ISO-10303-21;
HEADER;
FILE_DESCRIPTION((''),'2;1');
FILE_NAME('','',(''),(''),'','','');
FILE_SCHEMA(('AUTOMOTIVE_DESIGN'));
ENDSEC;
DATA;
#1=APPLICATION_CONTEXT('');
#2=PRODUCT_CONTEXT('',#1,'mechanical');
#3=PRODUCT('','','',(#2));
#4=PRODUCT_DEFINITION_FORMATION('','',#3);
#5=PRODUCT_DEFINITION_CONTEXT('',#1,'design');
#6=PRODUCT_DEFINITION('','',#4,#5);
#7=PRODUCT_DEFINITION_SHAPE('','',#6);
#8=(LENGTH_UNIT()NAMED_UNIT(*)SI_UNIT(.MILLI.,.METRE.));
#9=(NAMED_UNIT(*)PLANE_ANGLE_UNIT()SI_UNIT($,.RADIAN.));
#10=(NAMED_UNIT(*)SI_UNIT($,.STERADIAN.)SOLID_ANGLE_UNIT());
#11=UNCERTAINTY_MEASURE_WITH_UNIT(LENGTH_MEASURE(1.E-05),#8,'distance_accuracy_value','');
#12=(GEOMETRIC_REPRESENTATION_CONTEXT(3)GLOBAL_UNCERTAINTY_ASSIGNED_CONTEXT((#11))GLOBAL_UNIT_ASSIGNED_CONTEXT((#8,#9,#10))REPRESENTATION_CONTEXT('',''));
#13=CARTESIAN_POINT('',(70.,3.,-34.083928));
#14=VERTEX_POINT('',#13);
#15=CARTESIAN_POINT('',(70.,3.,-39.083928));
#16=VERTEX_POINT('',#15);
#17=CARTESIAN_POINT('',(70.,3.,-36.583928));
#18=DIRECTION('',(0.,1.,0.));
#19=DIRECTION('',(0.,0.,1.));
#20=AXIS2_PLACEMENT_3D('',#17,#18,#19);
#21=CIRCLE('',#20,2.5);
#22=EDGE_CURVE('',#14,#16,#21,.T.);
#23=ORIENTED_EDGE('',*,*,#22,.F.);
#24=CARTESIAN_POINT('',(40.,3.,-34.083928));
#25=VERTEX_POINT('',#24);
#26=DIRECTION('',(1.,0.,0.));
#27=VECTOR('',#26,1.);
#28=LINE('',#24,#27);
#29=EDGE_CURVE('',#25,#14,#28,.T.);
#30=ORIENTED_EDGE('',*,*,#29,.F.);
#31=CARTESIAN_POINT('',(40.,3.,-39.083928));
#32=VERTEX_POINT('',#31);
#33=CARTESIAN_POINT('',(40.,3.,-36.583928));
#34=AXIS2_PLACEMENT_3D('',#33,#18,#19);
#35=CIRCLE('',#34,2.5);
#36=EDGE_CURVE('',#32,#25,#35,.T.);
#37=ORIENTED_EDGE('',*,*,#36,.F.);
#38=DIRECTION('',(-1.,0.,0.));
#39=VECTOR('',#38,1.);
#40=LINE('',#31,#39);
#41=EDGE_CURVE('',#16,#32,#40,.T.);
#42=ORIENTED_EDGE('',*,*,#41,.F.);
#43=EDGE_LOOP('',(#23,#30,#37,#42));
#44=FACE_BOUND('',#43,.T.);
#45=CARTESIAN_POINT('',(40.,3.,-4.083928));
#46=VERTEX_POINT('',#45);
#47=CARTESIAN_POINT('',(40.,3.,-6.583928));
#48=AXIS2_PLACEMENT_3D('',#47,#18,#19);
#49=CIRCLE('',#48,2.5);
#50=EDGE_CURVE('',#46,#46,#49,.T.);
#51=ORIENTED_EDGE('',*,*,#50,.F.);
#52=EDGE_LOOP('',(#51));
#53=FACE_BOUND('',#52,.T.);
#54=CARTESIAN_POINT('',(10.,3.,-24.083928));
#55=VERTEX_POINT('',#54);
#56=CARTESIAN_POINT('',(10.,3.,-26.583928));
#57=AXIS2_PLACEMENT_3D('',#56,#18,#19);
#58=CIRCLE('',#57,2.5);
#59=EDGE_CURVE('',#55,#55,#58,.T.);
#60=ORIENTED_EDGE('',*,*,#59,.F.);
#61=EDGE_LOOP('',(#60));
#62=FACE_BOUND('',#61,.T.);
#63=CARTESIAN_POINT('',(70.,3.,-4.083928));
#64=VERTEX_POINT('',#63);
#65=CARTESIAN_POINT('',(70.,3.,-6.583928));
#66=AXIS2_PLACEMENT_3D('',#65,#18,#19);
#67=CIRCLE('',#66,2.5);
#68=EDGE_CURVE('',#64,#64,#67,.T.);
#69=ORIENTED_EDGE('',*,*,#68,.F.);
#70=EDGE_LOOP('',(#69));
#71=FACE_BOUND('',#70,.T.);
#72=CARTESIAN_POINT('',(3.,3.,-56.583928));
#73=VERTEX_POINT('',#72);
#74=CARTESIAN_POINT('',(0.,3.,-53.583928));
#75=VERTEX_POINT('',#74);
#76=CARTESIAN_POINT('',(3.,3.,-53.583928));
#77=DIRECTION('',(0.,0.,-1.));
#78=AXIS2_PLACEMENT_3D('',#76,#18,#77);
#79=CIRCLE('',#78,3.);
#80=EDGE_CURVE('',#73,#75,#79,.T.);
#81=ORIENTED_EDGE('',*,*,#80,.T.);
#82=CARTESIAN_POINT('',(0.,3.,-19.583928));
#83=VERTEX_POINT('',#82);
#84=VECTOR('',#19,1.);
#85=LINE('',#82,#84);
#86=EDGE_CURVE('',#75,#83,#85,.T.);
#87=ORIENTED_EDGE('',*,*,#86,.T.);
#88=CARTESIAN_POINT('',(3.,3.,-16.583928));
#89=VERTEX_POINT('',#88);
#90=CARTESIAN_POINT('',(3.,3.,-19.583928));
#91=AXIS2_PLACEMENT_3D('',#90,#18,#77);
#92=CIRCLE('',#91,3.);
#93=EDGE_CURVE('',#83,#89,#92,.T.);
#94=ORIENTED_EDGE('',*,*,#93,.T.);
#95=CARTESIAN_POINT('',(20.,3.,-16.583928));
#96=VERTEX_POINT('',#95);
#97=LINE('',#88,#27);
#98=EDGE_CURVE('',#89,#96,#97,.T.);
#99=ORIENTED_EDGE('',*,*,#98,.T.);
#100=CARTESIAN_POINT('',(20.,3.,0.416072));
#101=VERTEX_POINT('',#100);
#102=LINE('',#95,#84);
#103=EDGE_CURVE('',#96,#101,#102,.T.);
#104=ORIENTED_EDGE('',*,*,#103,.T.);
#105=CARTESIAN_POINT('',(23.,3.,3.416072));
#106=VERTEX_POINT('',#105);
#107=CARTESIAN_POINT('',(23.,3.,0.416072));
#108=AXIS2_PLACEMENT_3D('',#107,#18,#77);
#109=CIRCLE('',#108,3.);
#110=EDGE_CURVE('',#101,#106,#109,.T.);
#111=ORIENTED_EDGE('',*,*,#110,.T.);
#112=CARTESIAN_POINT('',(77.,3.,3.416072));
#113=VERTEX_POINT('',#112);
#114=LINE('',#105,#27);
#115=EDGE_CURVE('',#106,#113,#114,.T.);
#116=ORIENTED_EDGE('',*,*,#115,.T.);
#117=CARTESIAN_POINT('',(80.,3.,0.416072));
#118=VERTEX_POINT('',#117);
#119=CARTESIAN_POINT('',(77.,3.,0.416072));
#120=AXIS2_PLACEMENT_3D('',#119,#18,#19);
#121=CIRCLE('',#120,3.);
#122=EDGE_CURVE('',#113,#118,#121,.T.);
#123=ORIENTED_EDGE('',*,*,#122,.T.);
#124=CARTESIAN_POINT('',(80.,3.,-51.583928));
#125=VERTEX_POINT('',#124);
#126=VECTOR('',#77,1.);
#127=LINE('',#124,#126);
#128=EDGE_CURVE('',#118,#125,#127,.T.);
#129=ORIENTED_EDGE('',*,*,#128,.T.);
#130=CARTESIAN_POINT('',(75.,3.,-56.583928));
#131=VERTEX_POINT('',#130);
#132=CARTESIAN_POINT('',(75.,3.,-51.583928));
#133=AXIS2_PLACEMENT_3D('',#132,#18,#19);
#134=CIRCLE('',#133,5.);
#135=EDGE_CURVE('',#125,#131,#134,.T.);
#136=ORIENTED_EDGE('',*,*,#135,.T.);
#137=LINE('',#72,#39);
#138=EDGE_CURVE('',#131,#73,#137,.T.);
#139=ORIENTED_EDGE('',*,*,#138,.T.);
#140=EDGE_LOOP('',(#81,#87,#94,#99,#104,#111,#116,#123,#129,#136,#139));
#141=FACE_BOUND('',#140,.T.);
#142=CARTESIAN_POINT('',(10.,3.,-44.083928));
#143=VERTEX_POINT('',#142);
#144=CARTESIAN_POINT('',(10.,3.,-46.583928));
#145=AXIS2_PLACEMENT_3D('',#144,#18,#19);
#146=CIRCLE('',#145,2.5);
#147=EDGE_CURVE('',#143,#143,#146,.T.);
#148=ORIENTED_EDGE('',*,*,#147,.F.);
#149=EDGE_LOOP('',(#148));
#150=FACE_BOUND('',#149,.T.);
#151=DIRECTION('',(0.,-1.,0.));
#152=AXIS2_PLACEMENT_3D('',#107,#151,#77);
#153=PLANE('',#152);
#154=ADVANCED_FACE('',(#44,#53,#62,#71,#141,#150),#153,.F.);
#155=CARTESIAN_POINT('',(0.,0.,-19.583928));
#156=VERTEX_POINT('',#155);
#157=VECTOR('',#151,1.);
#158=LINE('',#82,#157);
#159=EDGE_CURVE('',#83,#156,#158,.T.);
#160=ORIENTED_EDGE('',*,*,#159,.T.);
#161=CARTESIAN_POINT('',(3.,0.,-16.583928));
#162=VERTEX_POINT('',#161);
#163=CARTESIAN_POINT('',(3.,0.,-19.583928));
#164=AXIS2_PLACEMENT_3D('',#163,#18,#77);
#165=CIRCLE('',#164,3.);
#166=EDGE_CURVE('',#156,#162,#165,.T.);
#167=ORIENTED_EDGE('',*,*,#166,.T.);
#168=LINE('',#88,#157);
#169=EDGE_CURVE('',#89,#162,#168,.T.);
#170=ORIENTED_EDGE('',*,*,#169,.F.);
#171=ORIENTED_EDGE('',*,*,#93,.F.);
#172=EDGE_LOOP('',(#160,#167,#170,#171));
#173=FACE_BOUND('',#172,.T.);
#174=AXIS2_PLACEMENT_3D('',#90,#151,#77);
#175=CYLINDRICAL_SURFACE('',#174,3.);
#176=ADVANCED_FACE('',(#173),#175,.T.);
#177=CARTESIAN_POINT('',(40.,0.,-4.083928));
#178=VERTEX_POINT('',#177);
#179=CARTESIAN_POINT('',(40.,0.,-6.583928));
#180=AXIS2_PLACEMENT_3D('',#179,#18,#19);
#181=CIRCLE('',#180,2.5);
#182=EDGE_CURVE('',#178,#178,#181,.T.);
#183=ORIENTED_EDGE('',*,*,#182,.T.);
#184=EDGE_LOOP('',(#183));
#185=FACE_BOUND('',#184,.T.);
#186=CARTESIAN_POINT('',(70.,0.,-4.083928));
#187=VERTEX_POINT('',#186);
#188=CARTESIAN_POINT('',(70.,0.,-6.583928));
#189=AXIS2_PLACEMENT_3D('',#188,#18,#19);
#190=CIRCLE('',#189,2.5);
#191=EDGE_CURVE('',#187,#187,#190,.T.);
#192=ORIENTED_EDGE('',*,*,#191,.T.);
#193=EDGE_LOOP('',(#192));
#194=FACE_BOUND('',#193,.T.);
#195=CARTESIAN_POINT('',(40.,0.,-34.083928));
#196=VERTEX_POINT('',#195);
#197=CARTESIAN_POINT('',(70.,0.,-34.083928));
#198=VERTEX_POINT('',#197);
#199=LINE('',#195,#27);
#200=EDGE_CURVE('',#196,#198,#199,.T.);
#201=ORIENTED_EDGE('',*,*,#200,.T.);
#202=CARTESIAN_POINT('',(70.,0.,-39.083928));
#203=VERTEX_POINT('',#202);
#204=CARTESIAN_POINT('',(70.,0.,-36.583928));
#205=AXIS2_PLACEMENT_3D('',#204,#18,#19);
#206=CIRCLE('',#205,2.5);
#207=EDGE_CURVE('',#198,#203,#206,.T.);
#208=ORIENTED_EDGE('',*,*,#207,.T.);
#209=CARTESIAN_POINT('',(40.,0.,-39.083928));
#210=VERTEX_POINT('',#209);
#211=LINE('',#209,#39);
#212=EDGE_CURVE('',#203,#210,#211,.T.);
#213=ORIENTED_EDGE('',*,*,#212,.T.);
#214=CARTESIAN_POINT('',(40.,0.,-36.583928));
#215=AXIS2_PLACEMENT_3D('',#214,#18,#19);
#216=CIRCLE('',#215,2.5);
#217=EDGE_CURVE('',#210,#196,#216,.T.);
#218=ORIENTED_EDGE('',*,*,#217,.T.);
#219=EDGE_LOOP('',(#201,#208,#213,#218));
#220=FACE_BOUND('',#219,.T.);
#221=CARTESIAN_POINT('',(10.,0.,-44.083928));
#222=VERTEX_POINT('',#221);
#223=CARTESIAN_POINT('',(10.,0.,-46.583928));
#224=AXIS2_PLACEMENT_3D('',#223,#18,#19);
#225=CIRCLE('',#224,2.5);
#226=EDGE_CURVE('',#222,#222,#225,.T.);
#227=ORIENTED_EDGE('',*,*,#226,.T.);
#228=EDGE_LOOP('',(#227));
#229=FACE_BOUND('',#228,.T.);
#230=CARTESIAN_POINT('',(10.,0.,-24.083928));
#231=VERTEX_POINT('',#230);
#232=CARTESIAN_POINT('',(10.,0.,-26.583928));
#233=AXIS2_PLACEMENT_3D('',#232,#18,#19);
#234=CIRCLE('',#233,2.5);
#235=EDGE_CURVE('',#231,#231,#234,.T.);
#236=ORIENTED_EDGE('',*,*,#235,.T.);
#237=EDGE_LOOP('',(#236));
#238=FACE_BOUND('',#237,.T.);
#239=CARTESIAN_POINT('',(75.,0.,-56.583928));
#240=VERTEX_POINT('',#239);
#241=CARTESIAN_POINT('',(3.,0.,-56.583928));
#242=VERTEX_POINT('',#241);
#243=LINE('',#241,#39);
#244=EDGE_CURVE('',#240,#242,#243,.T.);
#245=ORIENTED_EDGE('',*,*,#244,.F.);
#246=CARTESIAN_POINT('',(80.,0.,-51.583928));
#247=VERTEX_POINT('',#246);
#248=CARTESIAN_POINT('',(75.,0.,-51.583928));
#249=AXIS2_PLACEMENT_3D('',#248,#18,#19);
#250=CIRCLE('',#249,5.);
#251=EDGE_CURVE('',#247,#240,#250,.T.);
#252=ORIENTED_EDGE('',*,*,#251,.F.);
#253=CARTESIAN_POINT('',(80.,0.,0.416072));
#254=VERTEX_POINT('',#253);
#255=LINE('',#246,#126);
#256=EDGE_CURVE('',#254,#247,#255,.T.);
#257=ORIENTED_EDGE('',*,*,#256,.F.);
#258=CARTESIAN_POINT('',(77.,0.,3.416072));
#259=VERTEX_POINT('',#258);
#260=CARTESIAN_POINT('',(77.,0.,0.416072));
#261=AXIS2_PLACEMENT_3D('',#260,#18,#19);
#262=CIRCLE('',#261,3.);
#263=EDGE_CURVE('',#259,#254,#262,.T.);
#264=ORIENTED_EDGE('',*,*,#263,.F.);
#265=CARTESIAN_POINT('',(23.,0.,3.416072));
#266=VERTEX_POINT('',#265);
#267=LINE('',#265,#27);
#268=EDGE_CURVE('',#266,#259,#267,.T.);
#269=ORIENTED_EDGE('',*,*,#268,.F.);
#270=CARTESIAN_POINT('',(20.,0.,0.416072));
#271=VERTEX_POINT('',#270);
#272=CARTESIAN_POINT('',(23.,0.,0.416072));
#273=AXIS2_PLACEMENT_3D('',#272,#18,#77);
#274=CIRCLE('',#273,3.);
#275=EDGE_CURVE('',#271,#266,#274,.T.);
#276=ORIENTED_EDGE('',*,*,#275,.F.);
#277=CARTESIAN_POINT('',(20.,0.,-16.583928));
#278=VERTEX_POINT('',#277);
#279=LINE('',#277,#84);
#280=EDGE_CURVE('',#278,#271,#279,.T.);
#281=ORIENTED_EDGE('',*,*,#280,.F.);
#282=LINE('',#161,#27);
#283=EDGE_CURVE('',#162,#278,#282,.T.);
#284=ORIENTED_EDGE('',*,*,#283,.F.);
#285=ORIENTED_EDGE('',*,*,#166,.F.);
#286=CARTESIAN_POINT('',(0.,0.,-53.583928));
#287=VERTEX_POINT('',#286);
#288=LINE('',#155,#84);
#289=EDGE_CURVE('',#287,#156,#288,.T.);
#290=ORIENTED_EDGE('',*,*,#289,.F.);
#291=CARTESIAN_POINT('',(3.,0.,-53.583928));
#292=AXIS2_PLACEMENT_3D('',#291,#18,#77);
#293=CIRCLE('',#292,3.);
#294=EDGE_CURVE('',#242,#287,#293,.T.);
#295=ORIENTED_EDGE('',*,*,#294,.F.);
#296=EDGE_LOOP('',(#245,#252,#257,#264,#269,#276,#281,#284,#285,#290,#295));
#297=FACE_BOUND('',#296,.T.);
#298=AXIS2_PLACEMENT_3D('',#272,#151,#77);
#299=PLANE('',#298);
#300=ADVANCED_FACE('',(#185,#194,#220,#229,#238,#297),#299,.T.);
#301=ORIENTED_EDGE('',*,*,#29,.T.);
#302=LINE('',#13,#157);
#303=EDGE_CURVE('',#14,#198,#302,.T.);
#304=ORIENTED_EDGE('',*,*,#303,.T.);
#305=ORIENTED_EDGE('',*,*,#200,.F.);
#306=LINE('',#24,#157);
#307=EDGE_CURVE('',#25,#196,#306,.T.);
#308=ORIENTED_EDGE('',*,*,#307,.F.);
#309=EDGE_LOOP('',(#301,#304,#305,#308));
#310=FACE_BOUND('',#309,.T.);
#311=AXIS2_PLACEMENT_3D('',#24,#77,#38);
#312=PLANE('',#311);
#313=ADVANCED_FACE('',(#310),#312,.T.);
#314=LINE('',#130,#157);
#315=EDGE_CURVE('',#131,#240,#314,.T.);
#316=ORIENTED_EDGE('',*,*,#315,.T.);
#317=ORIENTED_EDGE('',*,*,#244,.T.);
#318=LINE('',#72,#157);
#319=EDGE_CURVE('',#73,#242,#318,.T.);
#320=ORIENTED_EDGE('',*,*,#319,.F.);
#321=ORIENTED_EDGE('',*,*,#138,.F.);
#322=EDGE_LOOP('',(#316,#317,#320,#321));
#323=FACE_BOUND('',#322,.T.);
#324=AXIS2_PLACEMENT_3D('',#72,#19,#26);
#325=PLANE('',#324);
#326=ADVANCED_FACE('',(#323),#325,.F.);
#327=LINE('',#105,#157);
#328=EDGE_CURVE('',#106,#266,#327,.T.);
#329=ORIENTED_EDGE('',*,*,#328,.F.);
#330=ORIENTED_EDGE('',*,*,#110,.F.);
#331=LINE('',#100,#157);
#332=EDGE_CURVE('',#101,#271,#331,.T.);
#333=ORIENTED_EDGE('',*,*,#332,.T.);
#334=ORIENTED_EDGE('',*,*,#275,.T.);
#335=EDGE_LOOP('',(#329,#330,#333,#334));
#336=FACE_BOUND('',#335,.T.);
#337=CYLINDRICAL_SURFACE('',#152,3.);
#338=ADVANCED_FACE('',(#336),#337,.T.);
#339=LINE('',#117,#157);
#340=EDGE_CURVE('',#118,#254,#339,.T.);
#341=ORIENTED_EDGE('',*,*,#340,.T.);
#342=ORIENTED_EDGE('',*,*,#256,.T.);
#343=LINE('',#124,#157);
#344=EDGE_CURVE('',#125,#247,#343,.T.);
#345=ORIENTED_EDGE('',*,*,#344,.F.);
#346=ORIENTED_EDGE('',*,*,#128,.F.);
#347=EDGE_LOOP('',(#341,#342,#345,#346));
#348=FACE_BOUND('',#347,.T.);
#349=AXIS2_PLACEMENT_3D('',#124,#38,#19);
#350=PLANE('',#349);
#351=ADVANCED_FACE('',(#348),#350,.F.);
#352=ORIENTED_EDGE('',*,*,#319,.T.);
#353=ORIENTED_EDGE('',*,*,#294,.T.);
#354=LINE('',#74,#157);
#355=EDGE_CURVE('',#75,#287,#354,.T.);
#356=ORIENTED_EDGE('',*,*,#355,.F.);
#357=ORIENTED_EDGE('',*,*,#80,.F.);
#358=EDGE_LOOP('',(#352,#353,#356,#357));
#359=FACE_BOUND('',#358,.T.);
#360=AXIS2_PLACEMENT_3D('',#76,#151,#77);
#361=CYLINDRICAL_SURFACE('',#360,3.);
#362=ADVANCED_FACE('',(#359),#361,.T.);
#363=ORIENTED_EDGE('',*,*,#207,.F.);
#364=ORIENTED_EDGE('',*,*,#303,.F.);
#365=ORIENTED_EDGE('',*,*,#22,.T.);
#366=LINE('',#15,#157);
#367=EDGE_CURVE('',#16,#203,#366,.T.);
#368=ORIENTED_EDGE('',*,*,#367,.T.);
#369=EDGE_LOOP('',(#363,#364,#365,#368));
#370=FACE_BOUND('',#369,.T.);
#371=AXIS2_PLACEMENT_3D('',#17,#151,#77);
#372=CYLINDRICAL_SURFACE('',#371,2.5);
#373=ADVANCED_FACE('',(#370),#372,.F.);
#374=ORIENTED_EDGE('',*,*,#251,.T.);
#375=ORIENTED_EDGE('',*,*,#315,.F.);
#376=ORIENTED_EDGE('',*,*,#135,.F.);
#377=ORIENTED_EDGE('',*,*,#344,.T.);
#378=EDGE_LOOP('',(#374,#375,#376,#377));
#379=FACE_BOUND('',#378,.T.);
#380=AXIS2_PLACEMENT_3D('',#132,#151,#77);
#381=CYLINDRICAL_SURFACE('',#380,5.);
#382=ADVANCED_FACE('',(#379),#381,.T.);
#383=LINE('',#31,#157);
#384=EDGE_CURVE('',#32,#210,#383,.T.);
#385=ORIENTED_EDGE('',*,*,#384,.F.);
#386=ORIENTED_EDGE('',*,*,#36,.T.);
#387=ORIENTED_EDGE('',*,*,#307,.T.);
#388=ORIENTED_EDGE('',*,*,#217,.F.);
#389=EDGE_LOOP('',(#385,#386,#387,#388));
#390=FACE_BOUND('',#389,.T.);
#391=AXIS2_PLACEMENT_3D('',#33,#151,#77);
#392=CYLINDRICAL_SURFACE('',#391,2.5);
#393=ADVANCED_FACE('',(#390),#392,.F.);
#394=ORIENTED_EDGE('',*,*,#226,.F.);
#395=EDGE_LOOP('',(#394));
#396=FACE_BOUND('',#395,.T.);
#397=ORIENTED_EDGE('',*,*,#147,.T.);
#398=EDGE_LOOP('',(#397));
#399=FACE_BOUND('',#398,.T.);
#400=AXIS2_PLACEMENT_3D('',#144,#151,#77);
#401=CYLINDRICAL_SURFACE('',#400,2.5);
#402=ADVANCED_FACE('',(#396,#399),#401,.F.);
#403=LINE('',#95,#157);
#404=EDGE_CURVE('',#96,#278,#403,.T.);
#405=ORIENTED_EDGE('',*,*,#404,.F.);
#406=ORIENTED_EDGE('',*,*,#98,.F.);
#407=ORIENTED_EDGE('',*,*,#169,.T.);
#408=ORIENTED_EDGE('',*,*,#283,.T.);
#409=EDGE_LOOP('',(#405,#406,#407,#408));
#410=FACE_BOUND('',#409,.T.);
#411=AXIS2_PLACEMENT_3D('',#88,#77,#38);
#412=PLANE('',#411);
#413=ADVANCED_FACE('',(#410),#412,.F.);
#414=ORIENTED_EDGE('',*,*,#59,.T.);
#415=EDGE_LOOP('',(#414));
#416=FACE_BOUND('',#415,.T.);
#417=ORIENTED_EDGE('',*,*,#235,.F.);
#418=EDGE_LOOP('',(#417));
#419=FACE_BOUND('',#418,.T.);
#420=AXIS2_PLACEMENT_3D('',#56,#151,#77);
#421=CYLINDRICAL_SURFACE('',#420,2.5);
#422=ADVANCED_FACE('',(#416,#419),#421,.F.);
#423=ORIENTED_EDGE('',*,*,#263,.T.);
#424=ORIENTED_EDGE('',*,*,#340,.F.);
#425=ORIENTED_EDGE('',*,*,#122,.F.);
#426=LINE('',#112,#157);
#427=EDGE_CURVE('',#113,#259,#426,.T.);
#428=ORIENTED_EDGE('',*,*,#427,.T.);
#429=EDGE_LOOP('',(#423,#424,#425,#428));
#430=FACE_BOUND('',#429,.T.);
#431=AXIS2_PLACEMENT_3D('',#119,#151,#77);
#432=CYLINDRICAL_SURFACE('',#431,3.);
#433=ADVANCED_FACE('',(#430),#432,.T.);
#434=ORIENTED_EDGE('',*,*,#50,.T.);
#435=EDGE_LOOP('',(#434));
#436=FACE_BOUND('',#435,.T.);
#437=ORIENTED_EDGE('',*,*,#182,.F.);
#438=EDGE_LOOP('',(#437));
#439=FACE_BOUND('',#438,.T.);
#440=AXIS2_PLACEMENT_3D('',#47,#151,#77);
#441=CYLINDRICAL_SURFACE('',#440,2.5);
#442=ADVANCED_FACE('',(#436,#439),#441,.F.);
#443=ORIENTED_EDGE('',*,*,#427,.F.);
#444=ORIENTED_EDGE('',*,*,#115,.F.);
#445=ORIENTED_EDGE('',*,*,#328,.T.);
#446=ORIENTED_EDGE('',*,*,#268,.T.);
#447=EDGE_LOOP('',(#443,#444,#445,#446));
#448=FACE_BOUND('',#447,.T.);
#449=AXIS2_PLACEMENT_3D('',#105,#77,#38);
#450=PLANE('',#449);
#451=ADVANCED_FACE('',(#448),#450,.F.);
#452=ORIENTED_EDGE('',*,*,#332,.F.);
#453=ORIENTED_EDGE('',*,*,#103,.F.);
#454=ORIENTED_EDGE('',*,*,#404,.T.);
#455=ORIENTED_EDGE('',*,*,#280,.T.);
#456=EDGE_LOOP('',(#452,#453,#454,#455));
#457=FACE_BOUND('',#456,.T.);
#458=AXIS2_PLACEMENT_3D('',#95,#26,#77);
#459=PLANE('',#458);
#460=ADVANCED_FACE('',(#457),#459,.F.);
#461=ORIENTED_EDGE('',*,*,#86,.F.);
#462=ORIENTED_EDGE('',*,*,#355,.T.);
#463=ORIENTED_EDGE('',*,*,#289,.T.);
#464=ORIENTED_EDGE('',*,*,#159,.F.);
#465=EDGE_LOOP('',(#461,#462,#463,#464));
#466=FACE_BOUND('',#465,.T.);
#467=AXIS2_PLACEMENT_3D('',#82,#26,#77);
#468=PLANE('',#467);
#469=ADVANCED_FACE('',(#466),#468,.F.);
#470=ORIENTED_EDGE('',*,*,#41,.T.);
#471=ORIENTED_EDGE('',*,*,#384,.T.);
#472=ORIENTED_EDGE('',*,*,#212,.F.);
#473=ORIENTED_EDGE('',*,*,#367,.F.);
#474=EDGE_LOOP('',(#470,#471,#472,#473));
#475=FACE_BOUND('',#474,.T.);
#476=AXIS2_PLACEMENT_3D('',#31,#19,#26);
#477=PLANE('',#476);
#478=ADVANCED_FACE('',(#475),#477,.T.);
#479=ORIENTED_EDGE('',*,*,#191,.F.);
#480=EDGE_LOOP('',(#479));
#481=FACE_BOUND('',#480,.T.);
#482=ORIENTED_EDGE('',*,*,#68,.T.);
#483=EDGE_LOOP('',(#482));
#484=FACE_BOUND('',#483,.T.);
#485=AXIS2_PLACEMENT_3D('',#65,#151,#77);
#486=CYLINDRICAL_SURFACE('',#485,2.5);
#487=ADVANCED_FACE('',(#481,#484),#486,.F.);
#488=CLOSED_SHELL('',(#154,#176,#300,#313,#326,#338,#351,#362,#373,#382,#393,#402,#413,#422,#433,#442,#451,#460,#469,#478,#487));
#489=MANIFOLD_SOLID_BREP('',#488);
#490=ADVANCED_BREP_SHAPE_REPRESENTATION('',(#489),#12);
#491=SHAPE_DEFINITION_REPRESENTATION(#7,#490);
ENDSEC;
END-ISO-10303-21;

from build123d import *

# Parameters (mm, degrees)
SKETCH1_R           = 2.5
BOSS_EXTRUDE2_DEPTH = 3


with BuildPart() as part:
    # Sketch1 → Boss-Extrude2 (new body)
    with BuildSketch(Plane(origin=(0, 0, 0), x_dir=(1, 0, 0), z_dir=(0, 1, 0))):
        with BuildLine():
            Line((0, 19.583928173), (0, 53.583928173))
            ThreePointArc((0, 53.583928173), (0.878679656, 55.705248517), (3, 56.583928173))
            Line((3, 56.583928173), (75, 56.583928173))
            ThreePointArc((75, 56.583928173), (78.535533906, 55.119462079), (80, 51.583928173))
            Line((80, 51.583928173), (80, -0.416071827))
            ThreePointArc((80, -0.416071827), (79.121320344, -2.537392171), (77, -3.416071827))
            Line((77, -3.416071827), (23, -3.416071827))
            ThreePointArc((23, -3.416071827), (20.878679656, -2.537392171), (20, -0.416071827))
            Line((20, -0.416071827), (20, 16.583928173))
            Line((20, 16.583928173), (3, 16.583928173))
            ThreePointArc((3, 16.583928173), (0.878679656, 17.462607829), (0, 19.583928173))
        make_face()
        with Locations((10, 26.583928173)):
            Circle(SKETCH1_R, mode=Mode.SUBTRACT)
        with Locations((40, 6.583928173)):
            Circle(SKETCH1_R, mode=Mode.SUBTRACT)
        with Locations((70, 6.583928173)):
            Circle(SKETCH1_R, mode=Mode.SUBTRACT)
        with Locations((10, 46.583928173)):
            Circle(SKETCH1_R, mode=Mode.SUBTRACT)
        with BuildLine():
            Line((40, 39.083928173), (70, 39.083928173))
            ThreePointArc((70, 39.083928173), (72.5, 36.583928173), (70, 34.083928173))
            Line((70, 34.083928173), (40, 34.083928173))
            ThreePointArc((40, 34.083928173), (37.5, 36.583928173), (40, 39.083928173))
        make_face(mode=Mode.SUBTRACT)
    extrude(amount=BOSS_EXTRUDE2_DEPTH)


solid = part.part
